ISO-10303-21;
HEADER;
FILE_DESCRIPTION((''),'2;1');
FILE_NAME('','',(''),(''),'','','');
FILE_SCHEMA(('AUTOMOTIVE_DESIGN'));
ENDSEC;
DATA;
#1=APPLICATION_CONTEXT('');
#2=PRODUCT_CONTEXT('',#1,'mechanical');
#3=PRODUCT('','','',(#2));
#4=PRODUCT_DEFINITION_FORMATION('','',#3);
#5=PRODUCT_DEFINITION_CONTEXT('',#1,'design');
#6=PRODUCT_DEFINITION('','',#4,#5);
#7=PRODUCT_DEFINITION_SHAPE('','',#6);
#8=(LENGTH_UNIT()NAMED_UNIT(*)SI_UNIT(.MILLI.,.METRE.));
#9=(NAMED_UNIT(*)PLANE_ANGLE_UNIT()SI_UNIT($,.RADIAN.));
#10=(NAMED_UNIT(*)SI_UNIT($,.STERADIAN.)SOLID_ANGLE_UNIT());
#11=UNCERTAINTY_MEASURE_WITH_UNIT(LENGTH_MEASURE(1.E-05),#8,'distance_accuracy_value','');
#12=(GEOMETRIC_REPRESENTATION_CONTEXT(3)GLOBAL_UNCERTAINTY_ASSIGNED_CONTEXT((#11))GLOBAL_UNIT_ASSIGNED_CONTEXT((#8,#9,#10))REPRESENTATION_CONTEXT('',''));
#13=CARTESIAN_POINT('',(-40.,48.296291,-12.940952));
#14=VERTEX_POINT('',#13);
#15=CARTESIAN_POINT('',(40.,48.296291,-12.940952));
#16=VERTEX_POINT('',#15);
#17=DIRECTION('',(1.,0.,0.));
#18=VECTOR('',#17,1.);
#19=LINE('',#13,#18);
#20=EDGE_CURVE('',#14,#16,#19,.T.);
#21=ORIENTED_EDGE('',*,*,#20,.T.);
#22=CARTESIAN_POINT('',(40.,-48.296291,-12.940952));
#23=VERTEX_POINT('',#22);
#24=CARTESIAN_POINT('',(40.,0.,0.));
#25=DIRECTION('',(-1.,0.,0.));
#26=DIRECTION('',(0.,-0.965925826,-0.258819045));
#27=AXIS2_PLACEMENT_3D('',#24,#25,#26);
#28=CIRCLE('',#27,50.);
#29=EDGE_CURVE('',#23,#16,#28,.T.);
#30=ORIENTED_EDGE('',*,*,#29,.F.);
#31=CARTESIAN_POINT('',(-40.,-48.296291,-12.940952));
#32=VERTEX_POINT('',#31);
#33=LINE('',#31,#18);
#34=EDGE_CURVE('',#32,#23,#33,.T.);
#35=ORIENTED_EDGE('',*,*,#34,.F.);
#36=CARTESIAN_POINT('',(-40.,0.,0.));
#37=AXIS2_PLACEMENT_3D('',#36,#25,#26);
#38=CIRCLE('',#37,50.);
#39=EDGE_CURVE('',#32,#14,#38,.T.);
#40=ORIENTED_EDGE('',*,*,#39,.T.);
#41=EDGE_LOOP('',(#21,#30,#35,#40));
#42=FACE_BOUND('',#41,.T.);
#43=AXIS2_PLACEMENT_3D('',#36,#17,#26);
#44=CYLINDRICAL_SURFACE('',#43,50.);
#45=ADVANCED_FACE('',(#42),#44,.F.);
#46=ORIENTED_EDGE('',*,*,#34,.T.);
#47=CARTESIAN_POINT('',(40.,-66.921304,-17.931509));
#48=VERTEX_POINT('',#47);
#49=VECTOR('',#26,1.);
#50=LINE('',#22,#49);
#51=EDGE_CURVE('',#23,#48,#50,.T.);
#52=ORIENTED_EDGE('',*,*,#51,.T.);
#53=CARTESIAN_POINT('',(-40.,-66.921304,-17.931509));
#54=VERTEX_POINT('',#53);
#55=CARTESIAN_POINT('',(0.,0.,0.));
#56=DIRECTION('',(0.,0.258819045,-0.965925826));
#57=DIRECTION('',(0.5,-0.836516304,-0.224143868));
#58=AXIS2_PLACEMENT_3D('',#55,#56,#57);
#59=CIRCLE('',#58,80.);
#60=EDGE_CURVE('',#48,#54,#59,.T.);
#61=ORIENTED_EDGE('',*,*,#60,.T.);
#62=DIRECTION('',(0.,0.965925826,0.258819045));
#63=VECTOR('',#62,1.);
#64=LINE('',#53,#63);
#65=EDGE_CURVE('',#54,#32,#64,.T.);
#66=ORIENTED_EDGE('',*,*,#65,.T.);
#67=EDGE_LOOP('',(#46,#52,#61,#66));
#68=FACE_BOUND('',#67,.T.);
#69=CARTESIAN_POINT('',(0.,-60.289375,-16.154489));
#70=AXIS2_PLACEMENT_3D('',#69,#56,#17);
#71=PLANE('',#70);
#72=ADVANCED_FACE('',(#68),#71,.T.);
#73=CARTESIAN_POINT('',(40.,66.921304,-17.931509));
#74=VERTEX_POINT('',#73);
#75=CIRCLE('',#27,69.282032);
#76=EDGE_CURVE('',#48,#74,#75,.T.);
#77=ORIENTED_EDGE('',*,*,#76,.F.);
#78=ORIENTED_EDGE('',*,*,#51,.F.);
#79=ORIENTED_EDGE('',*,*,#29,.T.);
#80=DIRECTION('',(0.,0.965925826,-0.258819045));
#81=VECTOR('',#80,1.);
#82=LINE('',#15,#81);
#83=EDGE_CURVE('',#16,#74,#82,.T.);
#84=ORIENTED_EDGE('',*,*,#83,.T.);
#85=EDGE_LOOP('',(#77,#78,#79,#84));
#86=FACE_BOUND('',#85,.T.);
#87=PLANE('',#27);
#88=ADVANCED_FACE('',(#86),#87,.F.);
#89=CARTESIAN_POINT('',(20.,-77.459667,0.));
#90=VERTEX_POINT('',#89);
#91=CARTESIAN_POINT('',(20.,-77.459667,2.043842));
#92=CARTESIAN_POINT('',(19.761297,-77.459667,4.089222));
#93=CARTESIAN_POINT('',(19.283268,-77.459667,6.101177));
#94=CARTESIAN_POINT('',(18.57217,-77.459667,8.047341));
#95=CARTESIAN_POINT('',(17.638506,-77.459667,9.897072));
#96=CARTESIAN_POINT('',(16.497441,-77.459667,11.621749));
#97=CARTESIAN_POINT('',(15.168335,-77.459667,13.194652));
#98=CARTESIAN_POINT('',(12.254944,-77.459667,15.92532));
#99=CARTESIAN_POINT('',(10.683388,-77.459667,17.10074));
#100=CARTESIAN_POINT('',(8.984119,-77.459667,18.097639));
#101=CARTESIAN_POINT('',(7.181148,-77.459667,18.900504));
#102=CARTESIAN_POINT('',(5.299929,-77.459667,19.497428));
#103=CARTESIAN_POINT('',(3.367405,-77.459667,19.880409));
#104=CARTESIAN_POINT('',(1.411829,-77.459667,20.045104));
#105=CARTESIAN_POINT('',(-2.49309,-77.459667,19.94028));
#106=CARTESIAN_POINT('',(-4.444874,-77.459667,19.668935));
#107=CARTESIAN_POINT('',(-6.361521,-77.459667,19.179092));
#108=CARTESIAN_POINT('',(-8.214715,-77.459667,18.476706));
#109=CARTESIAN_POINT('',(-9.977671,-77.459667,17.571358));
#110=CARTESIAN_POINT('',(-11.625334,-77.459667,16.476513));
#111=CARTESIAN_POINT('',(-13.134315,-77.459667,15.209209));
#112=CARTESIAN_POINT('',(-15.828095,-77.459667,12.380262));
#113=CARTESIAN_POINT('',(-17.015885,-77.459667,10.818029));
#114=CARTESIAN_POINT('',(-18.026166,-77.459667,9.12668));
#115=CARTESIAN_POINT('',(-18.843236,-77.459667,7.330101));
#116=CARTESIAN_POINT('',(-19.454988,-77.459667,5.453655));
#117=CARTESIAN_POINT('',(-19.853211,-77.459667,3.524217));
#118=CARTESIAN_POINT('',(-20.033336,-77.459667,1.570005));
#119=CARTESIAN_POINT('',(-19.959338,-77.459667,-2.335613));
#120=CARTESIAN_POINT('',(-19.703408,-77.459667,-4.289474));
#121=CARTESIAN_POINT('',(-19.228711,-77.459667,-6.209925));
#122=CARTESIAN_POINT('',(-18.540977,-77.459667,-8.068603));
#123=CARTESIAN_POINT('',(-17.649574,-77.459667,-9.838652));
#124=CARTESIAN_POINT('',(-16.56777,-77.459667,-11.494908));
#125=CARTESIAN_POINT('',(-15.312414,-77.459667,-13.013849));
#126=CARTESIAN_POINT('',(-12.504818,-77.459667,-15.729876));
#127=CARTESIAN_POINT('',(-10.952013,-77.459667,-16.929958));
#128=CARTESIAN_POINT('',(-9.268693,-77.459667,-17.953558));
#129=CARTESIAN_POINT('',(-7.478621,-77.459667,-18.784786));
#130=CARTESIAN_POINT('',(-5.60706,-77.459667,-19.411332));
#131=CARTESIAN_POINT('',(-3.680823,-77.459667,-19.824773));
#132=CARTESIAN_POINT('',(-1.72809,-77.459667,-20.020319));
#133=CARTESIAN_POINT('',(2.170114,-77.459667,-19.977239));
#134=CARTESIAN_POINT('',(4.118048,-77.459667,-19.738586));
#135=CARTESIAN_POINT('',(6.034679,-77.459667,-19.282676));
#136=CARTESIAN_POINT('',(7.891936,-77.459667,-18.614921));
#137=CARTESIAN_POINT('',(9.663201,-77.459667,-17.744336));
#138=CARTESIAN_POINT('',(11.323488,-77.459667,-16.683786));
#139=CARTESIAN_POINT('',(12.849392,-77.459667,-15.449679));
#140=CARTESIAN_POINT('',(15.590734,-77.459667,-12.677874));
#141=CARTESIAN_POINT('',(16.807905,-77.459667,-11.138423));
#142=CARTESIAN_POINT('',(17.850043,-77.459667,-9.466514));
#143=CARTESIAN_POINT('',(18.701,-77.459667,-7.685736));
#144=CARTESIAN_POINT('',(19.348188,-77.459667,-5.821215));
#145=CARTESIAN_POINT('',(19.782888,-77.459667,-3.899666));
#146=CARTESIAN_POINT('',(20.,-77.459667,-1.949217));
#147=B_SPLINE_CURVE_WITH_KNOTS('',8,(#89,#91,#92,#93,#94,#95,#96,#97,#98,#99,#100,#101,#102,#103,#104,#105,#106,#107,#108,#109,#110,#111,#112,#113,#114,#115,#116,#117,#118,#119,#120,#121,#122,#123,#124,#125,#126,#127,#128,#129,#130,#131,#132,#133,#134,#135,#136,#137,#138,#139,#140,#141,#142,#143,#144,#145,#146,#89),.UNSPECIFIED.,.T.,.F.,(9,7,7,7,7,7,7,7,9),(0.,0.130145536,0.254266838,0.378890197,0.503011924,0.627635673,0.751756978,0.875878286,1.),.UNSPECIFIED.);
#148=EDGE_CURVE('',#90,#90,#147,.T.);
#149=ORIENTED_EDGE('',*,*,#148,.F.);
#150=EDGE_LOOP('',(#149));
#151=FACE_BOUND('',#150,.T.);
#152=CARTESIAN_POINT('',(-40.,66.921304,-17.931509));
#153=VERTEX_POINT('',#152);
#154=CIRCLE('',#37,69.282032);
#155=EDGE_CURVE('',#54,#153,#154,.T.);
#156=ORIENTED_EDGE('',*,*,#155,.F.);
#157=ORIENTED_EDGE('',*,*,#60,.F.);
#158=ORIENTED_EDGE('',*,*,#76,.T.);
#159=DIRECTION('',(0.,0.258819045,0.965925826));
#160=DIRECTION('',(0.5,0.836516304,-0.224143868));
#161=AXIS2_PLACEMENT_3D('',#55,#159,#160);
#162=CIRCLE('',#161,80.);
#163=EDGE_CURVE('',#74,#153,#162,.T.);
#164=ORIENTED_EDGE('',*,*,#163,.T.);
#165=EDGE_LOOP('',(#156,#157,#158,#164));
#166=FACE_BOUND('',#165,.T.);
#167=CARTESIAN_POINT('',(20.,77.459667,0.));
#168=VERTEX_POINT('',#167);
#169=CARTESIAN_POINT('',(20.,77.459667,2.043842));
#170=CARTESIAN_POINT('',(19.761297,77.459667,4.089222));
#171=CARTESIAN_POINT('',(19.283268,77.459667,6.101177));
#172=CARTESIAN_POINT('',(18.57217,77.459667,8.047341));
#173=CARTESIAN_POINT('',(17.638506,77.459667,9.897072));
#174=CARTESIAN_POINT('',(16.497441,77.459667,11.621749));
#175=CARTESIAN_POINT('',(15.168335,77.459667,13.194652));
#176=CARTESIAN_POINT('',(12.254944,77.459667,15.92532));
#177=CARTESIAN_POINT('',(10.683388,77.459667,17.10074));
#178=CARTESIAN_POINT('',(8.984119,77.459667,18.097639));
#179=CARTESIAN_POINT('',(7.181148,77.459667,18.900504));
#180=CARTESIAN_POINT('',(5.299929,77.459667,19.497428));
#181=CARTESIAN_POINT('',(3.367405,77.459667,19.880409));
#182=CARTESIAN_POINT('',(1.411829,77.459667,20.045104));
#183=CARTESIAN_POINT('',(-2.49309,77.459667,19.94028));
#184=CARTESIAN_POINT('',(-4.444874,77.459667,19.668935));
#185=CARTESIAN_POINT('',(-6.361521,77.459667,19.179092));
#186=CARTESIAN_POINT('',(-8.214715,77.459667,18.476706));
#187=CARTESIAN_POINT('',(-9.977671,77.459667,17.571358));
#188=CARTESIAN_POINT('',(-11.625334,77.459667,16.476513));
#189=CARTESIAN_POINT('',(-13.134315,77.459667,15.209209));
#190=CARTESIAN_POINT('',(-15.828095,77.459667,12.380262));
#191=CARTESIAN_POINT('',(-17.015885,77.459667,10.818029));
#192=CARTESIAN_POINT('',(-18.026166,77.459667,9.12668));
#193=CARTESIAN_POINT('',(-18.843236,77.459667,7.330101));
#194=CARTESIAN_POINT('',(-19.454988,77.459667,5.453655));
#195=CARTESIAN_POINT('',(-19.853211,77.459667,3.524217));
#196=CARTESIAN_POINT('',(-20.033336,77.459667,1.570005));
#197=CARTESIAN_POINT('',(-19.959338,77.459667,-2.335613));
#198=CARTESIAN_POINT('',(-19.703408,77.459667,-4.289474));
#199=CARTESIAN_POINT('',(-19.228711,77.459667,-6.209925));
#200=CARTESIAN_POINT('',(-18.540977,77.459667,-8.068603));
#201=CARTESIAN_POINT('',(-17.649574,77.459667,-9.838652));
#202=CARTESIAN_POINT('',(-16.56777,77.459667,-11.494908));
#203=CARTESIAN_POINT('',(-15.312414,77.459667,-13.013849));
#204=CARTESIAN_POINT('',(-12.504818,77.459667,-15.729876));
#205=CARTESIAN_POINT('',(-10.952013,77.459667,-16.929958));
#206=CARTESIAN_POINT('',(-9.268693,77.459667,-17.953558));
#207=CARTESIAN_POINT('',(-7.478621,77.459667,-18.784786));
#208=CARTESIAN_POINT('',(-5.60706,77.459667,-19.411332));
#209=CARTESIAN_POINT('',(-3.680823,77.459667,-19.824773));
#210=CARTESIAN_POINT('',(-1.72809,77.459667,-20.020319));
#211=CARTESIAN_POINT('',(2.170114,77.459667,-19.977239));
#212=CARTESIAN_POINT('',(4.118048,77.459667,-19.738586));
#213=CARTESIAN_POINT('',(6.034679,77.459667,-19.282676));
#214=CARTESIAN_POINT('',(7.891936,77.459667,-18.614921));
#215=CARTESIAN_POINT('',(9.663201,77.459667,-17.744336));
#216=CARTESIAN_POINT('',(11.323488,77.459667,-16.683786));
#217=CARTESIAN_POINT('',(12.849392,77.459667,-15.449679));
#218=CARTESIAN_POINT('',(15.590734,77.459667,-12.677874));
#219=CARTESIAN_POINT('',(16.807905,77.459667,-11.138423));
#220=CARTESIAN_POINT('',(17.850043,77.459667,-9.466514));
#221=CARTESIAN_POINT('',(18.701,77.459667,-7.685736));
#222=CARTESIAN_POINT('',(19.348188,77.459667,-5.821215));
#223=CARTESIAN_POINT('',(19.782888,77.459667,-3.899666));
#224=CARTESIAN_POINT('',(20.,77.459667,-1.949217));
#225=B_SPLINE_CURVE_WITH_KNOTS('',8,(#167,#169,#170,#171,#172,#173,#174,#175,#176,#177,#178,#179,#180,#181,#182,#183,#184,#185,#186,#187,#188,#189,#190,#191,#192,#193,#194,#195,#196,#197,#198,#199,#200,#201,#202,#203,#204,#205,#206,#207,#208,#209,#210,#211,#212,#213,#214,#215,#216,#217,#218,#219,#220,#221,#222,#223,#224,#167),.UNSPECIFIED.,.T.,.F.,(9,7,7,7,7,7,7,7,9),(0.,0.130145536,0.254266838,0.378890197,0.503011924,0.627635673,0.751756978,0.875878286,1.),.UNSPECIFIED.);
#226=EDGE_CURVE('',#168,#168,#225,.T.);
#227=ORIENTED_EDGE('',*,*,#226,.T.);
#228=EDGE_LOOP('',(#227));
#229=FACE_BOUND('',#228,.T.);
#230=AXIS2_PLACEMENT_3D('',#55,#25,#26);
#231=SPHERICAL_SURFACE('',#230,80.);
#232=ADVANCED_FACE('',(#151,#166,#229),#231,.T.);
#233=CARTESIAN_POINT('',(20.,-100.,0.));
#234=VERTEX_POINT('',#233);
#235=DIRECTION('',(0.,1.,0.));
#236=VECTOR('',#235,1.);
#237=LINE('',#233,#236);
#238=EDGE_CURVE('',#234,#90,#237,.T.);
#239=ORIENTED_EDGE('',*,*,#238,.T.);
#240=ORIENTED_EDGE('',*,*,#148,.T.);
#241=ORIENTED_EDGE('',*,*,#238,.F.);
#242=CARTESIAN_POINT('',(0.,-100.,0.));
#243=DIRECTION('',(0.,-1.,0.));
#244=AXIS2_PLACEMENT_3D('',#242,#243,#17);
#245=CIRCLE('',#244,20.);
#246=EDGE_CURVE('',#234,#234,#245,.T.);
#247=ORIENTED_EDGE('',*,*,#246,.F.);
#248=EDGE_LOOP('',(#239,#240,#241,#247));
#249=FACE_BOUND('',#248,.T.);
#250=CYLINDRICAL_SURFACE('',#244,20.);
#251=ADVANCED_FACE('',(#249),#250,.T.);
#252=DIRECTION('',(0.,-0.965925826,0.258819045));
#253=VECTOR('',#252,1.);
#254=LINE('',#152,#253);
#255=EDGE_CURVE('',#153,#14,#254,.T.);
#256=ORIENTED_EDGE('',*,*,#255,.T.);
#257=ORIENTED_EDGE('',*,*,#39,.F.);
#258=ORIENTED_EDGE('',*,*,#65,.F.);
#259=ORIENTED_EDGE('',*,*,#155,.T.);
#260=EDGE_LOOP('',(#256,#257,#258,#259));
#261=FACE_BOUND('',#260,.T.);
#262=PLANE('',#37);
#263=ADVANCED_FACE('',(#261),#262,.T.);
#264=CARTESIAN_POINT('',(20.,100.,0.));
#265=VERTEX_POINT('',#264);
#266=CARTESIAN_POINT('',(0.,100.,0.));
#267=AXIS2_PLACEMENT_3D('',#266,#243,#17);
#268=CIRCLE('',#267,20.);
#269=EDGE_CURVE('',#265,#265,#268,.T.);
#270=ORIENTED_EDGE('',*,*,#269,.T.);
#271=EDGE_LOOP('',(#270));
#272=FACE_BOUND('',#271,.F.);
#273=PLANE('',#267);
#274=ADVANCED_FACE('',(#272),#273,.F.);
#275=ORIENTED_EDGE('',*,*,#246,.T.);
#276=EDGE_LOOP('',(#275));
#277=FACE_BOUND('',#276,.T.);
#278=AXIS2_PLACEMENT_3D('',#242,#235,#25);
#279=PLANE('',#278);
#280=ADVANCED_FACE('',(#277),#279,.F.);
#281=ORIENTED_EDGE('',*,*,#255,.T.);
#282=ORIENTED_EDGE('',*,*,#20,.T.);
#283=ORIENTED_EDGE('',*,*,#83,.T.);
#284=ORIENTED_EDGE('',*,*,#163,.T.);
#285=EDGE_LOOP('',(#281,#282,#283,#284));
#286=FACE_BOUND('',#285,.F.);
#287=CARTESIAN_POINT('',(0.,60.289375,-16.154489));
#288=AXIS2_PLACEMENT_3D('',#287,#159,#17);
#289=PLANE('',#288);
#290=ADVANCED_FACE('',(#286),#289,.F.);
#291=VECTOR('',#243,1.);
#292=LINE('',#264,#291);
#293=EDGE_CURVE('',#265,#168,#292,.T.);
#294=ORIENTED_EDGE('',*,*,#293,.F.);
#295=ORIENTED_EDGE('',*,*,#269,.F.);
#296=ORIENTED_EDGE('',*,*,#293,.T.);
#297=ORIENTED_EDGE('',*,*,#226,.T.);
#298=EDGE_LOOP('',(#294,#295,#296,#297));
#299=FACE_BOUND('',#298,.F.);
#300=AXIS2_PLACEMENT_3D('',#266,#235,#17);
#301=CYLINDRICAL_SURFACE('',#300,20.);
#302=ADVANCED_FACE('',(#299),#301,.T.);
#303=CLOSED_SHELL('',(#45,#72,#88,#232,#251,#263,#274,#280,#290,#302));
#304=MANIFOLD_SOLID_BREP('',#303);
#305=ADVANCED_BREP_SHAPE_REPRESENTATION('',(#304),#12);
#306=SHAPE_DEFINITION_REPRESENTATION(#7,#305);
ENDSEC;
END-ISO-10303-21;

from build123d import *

# Parameters (mm, degrees)
F1_ANGLE_BACK = 105
F1_ANGLE      = 210
F3_R          = 20


with BuildPart() as f1:
    # F0 (on Front) → F1 (revolve)
    with BuildSketch(Plane.XZ, mode=Mode.PRIVATE) as f1_sk:
        with BuildLine():
            ThreePointArc((40, 69.2820323028), (0, 80), (-40, 69.2820323028))
            Line((-40, 69.2820323028), (-40, 50))
            Line((-40, 50), (40, 50))
            Line((40, 50), (40, 69.2820323028))
        make_face()
    revolve(f1_sk.sketch.rotate(Axis((-190.0887642899, 0, 0), (-1, 0, 0)), -F1_ANGLE_BACK), axis=Axis((-190.0887642899, 0, 0), (-1, 0, 0)), revolution_arc=F1_ANGLE)

    # F3 (on offset) → F4 (join, up to the next surface of F1)
    with BuildSketch(Plane.XZ.offset(-100)):
        Circle(F3_R)
    extrude(until=Until.NEXT)

    # F5: F1 across plane


with BuildPart() as f1_1:
    add(f1.part)
    add(f1.part.mirror(Plane.XZ))


solid = f1_1.part
